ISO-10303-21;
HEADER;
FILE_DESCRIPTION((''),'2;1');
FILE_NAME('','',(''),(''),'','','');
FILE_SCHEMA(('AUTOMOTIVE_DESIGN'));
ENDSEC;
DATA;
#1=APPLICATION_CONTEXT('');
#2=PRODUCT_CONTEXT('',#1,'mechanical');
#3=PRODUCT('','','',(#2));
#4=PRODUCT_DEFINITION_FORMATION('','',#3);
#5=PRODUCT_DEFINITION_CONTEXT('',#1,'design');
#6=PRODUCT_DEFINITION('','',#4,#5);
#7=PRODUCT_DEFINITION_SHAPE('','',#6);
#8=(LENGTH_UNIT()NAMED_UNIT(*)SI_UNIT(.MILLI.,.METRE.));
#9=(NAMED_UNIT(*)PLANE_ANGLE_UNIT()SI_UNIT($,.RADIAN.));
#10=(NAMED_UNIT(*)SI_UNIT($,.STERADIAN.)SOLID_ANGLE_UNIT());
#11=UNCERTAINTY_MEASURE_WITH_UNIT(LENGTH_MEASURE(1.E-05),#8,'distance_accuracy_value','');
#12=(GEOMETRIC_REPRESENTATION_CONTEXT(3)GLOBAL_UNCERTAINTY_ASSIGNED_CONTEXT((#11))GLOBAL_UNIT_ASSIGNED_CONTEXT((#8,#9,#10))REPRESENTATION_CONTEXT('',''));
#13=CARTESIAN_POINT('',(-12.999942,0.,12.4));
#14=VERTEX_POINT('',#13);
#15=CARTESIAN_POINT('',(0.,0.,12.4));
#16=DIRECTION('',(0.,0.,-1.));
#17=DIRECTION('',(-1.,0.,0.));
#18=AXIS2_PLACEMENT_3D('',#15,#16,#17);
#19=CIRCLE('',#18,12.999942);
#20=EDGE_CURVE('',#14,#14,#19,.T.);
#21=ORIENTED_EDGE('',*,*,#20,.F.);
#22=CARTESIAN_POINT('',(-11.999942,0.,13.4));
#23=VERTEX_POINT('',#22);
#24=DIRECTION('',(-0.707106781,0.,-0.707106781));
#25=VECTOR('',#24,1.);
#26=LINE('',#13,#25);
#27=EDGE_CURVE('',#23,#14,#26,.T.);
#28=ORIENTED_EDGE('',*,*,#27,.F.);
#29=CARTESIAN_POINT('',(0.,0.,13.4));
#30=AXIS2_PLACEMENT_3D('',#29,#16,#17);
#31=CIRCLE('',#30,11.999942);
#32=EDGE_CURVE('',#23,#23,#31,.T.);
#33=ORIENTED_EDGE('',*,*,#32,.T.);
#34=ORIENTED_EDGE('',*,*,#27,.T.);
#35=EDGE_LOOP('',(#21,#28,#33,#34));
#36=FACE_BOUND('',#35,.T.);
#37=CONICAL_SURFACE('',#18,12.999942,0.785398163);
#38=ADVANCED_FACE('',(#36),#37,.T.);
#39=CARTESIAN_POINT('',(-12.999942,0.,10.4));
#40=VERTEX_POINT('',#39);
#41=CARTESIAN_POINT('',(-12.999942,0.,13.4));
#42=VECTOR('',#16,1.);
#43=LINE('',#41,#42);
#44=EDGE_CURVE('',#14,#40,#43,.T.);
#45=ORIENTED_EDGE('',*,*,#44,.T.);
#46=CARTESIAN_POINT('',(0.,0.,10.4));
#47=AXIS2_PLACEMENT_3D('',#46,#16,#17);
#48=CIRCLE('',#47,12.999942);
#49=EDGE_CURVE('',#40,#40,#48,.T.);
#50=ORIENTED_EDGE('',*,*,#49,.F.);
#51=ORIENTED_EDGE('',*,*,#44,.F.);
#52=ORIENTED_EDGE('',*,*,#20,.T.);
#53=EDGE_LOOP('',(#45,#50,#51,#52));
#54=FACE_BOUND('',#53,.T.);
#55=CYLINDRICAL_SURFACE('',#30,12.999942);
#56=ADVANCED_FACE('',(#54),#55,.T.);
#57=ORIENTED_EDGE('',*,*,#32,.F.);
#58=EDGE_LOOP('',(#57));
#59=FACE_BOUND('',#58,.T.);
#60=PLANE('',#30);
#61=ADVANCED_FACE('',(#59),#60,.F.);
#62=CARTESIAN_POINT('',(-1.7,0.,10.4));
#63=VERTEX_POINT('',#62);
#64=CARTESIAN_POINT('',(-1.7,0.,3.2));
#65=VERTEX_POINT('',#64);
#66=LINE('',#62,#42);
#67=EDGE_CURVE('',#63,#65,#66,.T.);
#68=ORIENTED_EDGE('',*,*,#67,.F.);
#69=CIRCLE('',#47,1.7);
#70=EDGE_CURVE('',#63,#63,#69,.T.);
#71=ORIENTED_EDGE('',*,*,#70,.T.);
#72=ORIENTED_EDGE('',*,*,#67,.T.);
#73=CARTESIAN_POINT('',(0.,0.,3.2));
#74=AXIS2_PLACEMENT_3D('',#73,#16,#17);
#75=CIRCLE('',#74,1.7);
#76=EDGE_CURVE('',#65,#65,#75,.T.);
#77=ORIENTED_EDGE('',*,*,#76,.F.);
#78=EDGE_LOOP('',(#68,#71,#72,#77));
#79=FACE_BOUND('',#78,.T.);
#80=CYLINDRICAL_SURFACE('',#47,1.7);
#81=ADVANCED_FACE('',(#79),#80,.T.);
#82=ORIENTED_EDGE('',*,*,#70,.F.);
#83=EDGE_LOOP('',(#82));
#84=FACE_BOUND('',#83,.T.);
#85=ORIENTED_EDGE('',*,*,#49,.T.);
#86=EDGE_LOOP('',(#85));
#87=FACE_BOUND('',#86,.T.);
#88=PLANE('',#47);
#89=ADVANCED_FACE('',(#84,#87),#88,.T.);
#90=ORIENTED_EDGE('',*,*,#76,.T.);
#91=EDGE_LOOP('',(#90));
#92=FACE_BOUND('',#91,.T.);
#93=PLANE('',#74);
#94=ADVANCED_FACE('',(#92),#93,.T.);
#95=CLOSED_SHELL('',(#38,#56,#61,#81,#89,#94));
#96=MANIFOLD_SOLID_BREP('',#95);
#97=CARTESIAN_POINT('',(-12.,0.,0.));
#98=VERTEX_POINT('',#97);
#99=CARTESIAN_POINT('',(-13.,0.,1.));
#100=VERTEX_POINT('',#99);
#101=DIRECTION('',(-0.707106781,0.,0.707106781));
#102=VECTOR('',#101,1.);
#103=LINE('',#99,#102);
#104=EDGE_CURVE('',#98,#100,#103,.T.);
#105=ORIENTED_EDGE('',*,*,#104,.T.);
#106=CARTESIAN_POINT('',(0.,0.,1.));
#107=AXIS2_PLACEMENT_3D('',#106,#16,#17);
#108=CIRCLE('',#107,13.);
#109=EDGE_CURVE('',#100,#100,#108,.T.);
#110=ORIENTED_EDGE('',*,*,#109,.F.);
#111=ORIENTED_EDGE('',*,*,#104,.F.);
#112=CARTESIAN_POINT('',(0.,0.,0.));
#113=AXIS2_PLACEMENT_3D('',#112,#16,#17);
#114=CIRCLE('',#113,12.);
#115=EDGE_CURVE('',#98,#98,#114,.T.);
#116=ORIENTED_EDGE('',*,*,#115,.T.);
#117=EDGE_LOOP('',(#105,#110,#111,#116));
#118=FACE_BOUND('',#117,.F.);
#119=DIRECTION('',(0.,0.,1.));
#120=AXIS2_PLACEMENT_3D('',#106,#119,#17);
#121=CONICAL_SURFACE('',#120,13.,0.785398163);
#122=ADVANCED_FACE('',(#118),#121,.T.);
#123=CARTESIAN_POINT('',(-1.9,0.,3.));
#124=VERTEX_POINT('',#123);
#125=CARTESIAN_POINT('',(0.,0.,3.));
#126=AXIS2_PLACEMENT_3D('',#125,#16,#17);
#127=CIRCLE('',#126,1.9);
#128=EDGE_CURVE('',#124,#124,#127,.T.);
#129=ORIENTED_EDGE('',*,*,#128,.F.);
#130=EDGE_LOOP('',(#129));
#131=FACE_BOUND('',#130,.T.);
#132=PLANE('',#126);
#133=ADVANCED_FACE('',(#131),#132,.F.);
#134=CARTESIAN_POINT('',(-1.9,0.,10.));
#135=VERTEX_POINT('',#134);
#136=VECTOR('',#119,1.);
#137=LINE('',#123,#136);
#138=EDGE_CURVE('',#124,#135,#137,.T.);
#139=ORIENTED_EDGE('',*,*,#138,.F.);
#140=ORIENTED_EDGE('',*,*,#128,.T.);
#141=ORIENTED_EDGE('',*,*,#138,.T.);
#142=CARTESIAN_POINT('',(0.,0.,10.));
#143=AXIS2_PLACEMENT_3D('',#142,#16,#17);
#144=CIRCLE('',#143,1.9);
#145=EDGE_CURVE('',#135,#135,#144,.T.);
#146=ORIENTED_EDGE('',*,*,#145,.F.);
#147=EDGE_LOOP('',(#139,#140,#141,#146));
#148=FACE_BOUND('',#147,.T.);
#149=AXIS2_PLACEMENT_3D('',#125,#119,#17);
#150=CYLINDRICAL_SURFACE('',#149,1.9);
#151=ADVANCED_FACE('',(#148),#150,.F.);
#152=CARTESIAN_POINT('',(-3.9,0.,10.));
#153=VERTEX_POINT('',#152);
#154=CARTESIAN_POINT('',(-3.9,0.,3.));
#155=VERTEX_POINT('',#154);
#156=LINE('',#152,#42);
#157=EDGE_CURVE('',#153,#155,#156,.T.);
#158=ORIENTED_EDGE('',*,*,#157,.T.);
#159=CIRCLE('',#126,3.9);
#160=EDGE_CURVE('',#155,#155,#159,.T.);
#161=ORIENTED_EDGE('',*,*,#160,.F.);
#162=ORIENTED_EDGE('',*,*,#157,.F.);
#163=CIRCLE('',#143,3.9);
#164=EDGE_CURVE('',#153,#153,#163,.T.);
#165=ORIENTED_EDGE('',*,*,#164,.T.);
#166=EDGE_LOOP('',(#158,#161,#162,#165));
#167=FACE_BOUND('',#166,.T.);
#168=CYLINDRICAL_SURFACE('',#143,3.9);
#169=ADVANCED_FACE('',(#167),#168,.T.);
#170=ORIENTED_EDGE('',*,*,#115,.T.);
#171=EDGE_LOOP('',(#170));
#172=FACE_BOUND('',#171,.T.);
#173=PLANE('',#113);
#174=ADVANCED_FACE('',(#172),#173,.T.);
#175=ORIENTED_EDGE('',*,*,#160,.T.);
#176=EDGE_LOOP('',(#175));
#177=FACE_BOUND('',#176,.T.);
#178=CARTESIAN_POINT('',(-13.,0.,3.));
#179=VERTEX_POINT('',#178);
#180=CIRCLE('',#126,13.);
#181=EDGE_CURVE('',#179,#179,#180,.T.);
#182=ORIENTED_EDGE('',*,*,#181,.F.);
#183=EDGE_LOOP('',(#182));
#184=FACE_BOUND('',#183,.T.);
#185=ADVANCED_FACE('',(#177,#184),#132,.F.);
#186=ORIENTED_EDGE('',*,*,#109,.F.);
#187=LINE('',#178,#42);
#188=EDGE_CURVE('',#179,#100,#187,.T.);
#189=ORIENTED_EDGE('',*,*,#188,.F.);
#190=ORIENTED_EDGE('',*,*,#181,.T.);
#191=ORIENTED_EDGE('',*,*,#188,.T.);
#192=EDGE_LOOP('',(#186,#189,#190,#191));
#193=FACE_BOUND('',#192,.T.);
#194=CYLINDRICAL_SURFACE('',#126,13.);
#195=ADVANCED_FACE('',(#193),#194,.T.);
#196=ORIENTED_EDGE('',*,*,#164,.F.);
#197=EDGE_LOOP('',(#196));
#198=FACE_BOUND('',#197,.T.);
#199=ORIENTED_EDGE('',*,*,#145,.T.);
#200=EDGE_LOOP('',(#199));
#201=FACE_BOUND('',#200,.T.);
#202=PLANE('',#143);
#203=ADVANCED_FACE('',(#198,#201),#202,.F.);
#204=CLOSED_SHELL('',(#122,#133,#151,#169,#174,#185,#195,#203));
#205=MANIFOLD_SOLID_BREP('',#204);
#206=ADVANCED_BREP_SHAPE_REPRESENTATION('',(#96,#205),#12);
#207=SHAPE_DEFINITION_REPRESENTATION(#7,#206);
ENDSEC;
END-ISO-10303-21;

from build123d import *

# Parameters (mm, degrees)
F2_SIZE = 1
F5_SIZE = 1


with BuildPart() as f1:
    # F0 (on Front) → F1 (revolve)
    with BuildSketch(Plane.XZ):
        Polygon((-13, 0), (0, 0), (0, 3), (-1.9, 3), (-1.9, 10), (-3.9, 10), (-3.9, 3), (-13, 3), align=None)
    revolve(axis=Axis((0, 0, 1.5), (0, 0, -1)))

    # F2
    f2_edges = [f1.edges().sort_by_distance(p)[0] for p in [
        (13, 0, 0),
    ]]
    chamfer(f2_edges, length=F2_SIZE)


with BuildPart() as f4:
    # F3 (on Front) → F4 (revolve)
    with BuildSketch(Plane.XZ):
        Polygon((-1.7, 3.2), (0, 3.2), (0, 13.4), (-12.999942, 13.4), (-12.999942, 10.4), (-1.7, 10.4), align=None)
    revolve(axis=Axis((0, 0, 8.3), (0, 0, -1)))

    # F5
    f5_edges = [f4.edges().sort_by_distance(p)[0] for p in [
        (12.999942, 0, 13.4),
    ]]
    chamfer(f5_edges, length=F5_SIZE)


solid = Compound([f1.part, f4.part])
